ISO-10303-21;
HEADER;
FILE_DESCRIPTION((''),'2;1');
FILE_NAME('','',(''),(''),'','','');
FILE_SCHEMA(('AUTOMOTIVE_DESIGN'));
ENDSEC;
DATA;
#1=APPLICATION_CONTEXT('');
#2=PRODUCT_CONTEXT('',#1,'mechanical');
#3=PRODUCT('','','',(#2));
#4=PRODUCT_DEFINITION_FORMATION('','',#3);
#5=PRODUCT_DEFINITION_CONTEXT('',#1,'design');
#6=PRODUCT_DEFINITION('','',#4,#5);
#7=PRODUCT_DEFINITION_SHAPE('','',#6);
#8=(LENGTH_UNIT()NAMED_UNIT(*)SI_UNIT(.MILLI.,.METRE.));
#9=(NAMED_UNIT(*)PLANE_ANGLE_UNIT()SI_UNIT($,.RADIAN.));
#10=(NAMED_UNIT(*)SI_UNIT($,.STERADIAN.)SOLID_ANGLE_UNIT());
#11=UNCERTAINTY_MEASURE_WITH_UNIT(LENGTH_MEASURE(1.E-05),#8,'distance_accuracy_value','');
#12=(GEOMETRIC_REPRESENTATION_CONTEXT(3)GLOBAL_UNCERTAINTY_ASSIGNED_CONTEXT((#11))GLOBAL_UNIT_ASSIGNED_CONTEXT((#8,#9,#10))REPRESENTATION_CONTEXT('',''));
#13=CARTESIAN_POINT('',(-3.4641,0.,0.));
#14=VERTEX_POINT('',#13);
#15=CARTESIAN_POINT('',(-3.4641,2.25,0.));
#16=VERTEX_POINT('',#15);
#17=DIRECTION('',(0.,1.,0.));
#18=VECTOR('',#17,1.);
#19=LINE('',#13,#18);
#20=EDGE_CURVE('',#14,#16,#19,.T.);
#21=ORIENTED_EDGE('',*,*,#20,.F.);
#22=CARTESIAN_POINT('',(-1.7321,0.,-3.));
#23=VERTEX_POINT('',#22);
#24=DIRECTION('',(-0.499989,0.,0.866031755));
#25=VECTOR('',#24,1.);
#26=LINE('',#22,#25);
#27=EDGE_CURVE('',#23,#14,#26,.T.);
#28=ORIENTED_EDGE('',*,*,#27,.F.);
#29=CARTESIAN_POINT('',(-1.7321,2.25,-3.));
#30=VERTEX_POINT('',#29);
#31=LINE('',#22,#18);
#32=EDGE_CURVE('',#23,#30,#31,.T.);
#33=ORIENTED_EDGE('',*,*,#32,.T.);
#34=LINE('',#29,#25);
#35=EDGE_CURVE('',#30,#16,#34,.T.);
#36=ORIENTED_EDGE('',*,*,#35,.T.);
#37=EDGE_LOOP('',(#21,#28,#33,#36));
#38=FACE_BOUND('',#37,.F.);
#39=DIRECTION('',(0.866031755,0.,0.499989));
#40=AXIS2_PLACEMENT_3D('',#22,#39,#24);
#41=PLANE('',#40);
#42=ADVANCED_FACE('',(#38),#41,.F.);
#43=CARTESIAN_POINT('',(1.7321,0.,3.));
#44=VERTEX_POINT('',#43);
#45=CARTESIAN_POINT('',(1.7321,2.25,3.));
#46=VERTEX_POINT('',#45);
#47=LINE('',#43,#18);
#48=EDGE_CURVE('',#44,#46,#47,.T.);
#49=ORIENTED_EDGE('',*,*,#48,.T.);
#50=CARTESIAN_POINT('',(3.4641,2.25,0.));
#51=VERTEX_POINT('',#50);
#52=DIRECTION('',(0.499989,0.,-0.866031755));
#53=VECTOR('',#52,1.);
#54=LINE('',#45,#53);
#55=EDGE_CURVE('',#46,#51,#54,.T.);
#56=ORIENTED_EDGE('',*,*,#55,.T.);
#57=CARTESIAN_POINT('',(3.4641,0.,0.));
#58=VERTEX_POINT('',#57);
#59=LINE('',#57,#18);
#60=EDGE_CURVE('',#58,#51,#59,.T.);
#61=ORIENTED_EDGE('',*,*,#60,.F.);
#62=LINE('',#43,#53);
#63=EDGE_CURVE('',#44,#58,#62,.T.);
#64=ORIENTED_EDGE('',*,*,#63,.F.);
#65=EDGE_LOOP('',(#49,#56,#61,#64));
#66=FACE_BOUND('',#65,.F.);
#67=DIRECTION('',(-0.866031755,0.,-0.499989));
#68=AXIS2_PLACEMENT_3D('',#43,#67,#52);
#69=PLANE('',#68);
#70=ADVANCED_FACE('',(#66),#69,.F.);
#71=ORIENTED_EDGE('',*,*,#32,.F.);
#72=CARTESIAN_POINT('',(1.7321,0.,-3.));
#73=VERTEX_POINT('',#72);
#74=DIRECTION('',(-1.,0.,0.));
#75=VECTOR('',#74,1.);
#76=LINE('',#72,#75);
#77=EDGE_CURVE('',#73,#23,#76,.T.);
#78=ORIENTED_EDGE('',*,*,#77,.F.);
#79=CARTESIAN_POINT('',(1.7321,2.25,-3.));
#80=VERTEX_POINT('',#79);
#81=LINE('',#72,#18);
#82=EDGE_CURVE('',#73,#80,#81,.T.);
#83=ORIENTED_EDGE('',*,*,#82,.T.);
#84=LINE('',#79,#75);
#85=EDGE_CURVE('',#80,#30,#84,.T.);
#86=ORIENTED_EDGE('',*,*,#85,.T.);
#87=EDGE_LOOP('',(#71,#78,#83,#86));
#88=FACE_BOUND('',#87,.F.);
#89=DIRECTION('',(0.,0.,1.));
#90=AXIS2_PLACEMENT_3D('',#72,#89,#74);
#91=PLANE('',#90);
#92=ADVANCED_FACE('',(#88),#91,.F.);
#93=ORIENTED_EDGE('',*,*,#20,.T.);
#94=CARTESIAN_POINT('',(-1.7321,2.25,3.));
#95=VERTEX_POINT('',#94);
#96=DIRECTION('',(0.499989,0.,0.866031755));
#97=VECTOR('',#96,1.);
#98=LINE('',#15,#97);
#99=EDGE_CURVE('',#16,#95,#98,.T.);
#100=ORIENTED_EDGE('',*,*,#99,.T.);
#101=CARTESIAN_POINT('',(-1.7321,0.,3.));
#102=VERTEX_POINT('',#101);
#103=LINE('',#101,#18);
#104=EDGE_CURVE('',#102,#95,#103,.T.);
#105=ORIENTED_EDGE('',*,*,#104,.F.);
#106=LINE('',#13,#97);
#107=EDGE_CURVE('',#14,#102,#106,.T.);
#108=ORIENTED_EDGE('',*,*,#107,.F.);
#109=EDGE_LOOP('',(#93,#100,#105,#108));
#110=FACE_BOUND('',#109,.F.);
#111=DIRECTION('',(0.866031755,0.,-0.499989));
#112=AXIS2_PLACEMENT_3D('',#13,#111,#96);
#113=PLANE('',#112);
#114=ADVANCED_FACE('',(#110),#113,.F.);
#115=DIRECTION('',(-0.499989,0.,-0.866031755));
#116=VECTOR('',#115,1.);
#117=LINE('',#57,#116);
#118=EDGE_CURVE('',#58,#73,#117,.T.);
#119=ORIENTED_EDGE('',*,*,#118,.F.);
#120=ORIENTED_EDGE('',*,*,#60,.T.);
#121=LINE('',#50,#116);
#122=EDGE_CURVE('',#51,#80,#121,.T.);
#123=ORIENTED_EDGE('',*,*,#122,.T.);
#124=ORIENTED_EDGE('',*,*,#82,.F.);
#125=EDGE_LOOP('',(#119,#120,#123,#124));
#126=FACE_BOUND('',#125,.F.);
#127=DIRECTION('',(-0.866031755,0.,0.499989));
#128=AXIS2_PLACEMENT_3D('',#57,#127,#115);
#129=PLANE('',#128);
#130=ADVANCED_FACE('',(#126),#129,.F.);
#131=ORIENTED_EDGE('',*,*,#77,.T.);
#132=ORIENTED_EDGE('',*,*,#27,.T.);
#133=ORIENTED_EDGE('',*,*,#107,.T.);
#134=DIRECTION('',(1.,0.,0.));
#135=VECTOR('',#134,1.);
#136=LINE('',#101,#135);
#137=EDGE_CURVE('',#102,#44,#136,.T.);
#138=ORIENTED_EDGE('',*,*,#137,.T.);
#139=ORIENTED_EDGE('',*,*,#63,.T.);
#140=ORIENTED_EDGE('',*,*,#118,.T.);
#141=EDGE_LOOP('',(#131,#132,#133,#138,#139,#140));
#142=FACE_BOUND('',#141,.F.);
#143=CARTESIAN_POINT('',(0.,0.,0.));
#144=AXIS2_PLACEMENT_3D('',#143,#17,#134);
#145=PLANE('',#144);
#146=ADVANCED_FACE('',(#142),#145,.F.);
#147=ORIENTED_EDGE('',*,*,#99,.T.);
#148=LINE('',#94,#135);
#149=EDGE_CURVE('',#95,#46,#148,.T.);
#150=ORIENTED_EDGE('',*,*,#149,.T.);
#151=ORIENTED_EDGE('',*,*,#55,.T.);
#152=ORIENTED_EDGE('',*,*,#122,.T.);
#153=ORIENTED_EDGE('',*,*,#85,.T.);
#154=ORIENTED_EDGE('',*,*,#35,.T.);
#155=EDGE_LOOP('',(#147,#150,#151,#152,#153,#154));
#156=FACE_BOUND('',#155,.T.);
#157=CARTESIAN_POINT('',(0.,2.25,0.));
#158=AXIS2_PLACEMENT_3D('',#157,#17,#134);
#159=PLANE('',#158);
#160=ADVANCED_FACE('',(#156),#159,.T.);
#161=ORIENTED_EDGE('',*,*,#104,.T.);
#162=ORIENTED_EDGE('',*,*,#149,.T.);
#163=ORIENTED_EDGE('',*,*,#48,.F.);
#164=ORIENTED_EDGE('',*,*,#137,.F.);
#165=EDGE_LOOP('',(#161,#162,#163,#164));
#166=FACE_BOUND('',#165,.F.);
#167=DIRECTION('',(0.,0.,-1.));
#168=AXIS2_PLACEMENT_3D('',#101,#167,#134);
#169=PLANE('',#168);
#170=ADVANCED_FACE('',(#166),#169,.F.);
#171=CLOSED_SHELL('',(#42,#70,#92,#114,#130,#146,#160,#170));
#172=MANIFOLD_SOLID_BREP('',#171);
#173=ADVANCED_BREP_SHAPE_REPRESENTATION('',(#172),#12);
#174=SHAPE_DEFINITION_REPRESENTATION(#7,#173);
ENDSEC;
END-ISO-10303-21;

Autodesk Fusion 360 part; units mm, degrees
sketch "Sketch1" plane through (0, 0, 0) normal (0, 1, 0) x (1, 0, 0)
  line L0 (-1.7321, -3) -> (1.7321, -3)
  line L1 (1.7321, -3) -> (3.4641, 0)
  line L2 (3.4641, 0) -> (1.7321, 3)
  line L3 (1.7321, 3) -> (-1.7321, 3)
  line L4 (-1.7321, 3) -> (-3.4641, 0)
  line L5 (-3.4641, 0) -> (-1.7321, -3)
  line L6 (-1.7321, -3) -> (1.7321, 3)
  line L7 (-1.7321, 3) -> (1.7321, -3)
  line L8 (3.4641, 0) -> (-3.4641, 0)
  dimension "d1" = 120
  dimension "d2" = 120
  dimension "d3" = 6
  dimension "d4" = 6
  dimension "d5" = 6
extrude "Extrude1" add sketch "Sketch1" along normal blind 2.25
equation "d3 = d4"
equation "d5 = d4"
